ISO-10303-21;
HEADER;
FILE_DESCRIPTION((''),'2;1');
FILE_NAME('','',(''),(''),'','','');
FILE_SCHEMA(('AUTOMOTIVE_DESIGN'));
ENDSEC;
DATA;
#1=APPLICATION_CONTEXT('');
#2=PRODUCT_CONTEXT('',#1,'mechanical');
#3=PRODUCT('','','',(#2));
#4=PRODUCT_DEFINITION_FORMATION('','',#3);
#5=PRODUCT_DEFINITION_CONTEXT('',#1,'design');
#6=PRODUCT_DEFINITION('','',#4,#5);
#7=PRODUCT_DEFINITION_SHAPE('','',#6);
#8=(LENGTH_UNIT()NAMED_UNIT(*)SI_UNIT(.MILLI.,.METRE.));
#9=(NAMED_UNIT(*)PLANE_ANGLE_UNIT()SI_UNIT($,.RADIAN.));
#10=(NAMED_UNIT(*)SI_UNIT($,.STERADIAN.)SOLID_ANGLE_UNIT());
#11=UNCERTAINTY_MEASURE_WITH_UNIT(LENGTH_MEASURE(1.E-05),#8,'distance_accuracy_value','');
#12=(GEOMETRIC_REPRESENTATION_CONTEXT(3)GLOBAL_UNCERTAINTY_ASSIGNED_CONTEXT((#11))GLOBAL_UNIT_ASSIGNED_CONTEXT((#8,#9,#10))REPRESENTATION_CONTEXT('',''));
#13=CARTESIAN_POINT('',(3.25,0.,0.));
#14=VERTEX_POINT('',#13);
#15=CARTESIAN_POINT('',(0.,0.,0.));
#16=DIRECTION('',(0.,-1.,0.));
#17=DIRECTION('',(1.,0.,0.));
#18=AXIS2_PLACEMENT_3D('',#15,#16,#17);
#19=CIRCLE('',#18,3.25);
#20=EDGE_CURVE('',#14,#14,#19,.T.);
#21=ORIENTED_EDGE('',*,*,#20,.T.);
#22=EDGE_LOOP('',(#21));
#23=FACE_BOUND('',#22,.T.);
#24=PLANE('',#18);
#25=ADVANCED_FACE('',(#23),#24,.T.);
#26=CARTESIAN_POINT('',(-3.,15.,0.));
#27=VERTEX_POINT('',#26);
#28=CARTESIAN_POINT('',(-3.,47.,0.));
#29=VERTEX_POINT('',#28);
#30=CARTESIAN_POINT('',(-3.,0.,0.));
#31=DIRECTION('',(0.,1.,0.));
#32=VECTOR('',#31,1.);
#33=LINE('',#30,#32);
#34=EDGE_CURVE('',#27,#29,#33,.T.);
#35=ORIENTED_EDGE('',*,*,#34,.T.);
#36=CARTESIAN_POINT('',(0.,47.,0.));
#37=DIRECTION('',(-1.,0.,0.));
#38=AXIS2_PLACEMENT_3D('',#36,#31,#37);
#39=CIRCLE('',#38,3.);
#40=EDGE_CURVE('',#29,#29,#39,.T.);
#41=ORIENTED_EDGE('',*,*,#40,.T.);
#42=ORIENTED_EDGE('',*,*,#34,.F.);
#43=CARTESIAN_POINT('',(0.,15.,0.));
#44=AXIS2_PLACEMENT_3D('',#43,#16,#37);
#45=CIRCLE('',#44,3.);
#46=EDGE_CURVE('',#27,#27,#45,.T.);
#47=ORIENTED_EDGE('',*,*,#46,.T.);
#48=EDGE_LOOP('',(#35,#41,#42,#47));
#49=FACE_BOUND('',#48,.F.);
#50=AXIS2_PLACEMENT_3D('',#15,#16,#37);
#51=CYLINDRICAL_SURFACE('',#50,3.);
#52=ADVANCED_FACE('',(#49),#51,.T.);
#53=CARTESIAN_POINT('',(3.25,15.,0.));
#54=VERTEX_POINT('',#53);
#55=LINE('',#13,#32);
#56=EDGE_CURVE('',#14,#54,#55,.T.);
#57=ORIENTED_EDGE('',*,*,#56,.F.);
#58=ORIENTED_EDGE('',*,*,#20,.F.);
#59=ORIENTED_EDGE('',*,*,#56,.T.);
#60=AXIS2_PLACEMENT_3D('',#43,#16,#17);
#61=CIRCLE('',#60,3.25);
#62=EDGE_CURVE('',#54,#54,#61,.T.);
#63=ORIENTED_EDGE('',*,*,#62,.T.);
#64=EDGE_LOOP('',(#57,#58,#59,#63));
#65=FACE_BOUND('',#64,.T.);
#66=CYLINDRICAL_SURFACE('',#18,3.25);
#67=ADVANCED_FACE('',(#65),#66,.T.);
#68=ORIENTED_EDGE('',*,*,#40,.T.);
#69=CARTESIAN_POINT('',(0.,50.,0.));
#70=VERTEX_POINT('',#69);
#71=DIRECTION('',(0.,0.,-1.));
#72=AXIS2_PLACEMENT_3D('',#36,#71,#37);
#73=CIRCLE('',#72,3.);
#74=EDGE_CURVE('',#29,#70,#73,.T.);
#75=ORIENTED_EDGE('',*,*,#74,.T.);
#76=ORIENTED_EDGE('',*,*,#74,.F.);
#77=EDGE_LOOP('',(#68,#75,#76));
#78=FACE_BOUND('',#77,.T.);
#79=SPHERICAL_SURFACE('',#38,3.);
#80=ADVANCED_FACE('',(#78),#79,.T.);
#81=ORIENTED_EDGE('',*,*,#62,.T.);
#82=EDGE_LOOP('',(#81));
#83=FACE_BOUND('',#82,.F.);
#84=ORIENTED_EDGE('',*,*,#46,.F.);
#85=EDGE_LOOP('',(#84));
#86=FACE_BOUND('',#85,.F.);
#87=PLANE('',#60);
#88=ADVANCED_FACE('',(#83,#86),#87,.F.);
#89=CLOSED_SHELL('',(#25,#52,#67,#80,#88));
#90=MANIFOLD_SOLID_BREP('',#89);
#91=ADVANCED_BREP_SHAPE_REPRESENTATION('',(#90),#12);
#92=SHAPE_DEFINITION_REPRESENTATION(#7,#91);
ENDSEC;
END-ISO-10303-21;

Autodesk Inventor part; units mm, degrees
ref_plane "YZ Plane" through (0, 0, 0) normal (1, 0, 0) x (0, 1, 0)
ref_plane "XZ Plane" through (0, 0, 0) normal (0, 1, 0) x (-1, 0, 0)
ref_plane "XY Plane" through (0, 0, 0) normal (0, 0, 1) x (1, 0, 0)
sketch "Sketch1" plane through (0, 0, 0) normal (0, 1, 0) x (-1, 0, 0)
  circle A0 centre (0, 0) radius 3
  dimension "d0" = 6
extrude "Extrusion1" add sketch "Sketch1" along normal blind 50
fillet "Fillet1" radius 3 1 edges at (3, 50, 0)
sketch "Sketch2" plane through (0, 0, 0) normal (0, -1, 0) x (1, 0, 0)
  circle A0 centre (0, 0) radius 3.25
  dimension "d4" = 6.5
extrude "Extrusion2" add sketch "Sketch2" against normal blind 15
properties part number "Temp Water Sensor"
